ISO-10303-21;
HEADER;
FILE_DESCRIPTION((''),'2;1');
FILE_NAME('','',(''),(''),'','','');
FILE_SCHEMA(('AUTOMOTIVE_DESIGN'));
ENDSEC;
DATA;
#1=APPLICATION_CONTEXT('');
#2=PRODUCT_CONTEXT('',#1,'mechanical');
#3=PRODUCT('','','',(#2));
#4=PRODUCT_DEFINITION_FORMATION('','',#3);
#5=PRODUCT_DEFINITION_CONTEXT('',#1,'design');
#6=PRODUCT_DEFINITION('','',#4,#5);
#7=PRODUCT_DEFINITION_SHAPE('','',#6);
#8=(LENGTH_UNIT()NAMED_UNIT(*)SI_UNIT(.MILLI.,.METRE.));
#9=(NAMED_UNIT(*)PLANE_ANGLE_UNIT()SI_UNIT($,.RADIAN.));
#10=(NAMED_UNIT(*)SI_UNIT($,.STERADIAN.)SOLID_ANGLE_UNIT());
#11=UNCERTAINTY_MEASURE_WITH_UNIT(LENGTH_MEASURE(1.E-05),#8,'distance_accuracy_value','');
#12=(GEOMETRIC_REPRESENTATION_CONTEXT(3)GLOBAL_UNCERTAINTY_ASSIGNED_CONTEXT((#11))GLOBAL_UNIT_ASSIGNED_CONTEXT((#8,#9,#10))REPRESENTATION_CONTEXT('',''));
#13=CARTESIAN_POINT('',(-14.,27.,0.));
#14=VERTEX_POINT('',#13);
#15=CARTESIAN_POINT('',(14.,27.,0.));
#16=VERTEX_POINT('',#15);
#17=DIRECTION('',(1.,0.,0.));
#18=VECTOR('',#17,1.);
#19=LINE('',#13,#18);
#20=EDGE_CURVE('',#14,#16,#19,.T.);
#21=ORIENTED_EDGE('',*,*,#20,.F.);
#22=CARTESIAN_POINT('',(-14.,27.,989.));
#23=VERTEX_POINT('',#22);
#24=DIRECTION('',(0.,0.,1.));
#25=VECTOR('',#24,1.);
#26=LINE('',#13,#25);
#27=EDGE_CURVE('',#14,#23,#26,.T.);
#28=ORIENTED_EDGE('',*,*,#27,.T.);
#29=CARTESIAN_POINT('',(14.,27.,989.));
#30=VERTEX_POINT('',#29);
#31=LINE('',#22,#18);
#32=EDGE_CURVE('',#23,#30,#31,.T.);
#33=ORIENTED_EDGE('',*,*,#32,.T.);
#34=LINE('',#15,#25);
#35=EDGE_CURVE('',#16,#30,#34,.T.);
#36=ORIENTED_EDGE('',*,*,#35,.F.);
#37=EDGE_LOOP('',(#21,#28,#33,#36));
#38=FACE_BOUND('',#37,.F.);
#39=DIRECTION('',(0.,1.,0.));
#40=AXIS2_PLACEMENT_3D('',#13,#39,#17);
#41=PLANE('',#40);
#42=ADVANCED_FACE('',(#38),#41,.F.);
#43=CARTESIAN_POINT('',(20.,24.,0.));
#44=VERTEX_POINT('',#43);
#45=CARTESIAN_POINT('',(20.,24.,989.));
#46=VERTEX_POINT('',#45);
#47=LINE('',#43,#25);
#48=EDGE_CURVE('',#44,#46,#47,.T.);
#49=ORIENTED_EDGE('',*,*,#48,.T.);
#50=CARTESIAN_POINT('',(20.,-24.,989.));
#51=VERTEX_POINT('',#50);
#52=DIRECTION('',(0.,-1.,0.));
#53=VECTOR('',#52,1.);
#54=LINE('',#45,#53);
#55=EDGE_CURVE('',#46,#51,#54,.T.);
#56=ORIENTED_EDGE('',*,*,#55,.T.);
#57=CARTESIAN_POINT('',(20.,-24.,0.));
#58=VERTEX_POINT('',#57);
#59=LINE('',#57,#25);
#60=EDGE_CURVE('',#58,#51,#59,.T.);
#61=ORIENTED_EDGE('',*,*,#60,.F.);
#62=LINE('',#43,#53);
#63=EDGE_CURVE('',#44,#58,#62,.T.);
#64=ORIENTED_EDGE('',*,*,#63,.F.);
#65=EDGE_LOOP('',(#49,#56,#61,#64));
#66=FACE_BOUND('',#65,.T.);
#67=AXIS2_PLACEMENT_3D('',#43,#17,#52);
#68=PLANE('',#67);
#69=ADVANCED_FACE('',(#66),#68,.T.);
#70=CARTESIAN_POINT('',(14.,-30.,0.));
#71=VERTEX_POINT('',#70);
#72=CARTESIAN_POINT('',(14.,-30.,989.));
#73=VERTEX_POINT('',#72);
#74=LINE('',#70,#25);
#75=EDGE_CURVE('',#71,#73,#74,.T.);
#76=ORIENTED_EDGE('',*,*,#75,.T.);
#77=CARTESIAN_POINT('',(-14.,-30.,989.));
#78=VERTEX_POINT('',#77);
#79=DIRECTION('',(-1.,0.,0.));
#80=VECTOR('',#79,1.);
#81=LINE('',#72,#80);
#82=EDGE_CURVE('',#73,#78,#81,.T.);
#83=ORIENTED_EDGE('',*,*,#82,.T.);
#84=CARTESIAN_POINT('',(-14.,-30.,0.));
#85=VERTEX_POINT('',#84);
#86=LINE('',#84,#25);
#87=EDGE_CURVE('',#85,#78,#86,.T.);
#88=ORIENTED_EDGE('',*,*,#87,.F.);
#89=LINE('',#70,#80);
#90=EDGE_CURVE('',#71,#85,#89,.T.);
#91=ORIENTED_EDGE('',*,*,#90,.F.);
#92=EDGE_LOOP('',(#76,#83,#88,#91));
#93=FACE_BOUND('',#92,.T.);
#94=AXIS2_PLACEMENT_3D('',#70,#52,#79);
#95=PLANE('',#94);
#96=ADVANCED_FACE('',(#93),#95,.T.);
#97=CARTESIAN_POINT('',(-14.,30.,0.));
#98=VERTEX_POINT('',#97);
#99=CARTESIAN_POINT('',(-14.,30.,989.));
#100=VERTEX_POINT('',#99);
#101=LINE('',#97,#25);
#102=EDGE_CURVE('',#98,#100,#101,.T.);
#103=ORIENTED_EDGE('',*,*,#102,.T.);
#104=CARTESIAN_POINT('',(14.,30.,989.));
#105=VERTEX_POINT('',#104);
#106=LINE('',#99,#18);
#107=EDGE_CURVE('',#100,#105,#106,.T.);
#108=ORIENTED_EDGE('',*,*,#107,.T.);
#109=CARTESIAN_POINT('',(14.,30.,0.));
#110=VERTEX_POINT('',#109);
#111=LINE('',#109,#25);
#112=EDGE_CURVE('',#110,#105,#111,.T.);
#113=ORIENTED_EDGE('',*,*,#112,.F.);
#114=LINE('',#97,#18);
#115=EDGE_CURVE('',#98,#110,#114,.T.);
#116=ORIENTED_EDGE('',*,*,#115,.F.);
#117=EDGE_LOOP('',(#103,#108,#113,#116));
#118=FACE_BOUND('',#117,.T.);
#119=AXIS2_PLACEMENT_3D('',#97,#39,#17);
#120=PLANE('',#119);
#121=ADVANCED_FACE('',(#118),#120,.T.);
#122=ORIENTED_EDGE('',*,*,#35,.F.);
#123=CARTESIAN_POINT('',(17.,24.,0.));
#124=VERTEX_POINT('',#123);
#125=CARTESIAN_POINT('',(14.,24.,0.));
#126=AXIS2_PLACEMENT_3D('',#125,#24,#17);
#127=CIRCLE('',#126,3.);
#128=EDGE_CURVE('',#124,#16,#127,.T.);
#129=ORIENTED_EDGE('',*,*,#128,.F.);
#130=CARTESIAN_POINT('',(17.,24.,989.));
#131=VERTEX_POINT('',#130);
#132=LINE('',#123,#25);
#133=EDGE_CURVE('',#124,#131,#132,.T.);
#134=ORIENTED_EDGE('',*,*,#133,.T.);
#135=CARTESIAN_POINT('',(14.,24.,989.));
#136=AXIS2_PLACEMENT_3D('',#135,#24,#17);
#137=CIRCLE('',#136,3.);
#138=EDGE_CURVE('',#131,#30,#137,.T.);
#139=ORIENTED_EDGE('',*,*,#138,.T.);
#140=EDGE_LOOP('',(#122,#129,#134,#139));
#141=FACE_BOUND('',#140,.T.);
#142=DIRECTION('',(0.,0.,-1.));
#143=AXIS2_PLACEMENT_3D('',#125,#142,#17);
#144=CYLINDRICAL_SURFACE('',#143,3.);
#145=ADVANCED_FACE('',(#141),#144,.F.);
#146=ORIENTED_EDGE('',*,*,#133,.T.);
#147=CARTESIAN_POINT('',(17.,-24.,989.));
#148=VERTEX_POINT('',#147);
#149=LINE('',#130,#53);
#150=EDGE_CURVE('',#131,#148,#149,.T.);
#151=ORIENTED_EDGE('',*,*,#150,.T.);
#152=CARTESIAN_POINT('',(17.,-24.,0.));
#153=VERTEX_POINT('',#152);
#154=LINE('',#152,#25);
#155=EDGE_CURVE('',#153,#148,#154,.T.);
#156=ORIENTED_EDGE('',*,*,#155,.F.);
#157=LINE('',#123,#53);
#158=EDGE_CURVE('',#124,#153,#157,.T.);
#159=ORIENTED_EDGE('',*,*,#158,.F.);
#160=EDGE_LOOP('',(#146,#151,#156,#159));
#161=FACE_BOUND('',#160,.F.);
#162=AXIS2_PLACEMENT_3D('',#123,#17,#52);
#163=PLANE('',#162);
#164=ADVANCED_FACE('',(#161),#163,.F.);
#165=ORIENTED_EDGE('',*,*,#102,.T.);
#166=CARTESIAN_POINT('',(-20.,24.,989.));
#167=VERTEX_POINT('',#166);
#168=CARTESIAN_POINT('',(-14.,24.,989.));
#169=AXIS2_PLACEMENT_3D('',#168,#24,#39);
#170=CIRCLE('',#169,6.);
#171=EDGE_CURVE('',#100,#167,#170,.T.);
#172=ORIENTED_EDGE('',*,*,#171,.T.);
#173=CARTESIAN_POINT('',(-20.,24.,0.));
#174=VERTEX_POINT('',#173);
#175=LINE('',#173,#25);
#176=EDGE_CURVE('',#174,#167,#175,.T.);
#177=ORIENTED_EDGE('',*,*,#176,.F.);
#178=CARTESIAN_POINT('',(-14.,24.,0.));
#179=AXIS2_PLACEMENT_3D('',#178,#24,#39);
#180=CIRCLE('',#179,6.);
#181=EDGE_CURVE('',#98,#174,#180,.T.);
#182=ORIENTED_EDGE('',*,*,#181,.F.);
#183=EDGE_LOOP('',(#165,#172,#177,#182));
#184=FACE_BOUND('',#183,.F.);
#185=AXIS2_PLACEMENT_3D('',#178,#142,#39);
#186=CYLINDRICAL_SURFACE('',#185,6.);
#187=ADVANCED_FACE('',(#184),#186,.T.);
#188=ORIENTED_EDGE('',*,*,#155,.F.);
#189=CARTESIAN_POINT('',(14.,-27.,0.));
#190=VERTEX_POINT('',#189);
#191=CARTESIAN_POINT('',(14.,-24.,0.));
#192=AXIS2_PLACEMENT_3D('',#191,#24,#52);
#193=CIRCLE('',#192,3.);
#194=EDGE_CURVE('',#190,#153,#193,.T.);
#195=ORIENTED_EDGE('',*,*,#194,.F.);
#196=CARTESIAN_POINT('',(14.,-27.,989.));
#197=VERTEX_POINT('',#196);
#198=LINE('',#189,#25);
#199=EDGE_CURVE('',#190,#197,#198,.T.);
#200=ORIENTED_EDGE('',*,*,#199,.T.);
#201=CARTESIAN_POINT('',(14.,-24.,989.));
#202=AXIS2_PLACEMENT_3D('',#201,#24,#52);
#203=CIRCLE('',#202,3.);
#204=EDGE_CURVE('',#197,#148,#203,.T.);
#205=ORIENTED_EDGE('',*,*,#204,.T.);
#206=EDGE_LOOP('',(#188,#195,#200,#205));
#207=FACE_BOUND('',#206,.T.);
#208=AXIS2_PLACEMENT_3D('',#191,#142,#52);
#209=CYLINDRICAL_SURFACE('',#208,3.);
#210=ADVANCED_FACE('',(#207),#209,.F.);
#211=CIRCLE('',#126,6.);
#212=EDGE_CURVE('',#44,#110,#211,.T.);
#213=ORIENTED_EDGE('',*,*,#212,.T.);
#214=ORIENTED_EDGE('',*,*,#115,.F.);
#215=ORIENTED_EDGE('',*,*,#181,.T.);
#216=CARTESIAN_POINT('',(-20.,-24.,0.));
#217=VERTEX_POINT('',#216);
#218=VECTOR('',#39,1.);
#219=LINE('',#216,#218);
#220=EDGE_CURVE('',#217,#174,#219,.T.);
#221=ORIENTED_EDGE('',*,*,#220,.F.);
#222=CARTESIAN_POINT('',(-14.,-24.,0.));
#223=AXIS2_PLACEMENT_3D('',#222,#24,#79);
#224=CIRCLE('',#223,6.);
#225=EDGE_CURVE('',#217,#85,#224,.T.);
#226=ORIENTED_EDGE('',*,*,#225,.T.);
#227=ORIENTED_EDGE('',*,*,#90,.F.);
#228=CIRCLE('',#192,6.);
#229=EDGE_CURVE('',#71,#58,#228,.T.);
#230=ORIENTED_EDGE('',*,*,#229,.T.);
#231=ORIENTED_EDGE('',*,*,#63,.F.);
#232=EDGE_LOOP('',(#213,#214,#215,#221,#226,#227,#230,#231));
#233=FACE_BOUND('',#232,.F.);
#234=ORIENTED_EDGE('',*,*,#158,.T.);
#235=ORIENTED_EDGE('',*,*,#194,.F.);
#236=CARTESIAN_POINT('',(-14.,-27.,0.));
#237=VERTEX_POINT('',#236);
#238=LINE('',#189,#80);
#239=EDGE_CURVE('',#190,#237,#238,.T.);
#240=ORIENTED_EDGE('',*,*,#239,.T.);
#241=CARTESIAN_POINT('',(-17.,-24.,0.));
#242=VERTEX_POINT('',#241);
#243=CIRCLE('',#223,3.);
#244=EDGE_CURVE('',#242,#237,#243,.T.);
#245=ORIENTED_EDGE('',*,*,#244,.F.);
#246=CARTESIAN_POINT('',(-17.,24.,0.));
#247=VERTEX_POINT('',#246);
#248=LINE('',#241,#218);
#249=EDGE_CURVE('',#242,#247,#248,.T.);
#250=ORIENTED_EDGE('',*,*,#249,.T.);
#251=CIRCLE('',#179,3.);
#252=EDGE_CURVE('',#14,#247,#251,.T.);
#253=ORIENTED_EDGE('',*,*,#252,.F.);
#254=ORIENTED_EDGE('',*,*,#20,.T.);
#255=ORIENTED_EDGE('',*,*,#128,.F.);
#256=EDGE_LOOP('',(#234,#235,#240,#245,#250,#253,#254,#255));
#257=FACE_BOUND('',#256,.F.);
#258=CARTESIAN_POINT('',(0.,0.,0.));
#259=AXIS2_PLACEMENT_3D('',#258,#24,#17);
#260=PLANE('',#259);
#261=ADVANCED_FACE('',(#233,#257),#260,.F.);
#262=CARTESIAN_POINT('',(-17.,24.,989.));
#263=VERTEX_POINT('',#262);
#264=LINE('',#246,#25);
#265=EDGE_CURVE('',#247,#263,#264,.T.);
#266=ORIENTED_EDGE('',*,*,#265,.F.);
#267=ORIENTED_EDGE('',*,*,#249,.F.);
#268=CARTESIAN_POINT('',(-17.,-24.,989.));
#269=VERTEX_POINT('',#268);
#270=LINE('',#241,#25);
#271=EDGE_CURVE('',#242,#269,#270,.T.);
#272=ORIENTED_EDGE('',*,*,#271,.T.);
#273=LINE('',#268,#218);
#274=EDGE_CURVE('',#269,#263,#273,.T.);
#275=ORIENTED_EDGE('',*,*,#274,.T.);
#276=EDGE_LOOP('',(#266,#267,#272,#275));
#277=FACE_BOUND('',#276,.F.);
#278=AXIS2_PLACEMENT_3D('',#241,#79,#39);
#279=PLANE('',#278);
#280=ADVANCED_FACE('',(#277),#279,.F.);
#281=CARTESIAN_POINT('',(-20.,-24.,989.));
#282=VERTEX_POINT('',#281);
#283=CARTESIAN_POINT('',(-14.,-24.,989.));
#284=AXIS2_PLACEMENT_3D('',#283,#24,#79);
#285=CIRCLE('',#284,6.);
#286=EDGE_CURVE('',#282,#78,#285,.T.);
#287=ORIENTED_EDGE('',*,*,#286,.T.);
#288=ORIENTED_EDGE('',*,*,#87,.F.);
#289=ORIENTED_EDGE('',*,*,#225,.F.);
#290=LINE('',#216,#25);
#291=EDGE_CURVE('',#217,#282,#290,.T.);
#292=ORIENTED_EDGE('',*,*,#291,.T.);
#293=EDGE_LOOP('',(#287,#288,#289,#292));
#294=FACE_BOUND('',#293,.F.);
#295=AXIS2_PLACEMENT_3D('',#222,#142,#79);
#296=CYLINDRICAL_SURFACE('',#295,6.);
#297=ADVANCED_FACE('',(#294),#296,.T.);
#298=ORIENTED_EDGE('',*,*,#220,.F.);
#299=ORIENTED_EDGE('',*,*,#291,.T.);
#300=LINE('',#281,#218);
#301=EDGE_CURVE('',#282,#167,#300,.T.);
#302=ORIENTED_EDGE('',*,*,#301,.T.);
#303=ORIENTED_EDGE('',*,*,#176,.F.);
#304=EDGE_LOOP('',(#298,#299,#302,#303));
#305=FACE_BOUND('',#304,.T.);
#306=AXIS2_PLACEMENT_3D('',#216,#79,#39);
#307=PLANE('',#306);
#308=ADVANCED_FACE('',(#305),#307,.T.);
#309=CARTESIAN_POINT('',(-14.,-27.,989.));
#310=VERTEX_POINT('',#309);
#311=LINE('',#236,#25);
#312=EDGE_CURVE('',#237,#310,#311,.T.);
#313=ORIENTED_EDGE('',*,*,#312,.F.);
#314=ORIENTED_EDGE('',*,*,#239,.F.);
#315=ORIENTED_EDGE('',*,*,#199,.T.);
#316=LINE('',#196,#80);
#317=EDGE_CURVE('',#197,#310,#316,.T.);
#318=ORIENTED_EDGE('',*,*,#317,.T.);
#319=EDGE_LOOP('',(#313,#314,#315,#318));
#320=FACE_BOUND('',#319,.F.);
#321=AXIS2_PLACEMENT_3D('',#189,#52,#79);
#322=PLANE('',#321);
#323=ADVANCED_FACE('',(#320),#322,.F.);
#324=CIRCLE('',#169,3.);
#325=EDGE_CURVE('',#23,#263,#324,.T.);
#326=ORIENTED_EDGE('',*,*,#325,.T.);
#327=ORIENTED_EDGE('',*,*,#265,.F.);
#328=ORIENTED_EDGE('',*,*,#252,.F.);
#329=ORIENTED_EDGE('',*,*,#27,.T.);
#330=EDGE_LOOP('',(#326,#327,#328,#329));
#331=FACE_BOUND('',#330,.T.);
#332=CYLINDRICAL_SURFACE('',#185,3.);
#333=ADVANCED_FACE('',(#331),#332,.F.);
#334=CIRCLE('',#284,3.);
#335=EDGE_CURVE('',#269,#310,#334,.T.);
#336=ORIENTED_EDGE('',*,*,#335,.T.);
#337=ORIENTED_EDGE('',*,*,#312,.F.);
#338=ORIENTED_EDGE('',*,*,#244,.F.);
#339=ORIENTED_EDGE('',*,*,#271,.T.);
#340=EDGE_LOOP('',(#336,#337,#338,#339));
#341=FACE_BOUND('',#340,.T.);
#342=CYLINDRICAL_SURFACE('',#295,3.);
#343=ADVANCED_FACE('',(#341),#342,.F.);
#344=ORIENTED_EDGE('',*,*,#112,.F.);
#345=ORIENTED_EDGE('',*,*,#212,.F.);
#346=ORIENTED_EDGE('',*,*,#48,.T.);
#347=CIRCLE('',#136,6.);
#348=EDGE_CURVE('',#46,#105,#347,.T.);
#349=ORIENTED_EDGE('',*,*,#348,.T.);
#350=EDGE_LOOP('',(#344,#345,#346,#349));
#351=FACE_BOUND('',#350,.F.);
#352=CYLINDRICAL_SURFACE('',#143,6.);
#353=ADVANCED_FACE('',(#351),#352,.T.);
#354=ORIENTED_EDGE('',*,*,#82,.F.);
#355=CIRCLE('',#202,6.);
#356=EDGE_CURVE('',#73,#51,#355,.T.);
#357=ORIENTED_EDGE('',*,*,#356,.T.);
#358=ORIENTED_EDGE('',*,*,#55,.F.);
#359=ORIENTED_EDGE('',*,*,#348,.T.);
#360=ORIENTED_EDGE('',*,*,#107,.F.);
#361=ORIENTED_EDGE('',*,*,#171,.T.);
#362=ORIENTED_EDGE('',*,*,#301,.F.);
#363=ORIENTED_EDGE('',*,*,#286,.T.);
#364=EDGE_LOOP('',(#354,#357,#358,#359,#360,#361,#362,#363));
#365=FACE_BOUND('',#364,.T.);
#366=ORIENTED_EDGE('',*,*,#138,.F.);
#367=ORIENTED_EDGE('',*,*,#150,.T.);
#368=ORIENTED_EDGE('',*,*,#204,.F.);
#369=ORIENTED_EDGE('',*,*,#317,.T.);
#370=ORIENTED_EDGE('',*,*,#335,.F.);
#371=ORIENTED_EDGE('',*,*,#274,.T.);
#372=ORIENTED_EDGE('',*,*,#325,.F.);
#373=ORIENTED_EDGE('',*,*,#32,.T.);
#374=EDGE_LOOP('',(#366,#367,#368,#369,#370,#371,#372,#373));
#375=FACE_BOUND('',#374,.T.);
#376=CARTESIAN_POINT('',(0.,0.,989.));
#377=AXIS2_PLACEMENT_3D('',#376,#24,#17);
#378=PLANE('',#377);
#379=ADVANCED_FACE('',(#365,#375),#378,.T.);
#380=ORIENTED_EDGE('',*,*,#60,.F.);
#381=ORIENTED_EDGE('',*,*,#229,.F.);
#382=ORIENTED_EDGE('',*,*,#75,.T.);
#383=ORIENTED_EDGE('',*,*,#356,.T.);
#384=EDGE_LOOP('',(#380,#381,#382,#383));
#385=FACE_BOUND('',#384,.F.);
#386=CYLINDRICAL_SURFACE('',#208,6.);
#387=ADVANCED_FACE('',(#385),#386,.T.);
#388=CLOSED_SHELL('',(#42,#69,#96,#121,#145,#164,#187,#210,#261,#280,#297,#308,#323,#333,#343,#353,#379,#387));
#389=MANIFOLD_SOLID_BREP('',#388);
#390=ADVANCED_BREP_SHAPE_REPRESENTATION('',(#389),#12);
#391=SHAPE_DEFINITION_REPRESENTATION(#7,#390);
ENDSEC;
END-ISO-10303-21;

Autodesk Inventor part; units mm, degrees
ref_plane "YZ Plane" through (0, 0, 0) normal (1, 0, 0) x (0, 1, 0)
ref_plane "Start Plane" through (0, 0, 0) normal (0, 0, 1) x (1, 0, 0)
ref_plane "End Plane" through (0, 0, 989) normal (0, 0, 1) x (1, 0, 0)
sketch "Sketch" plane through (0, 0, 0) normal (0, 0, 1) x (1, 0, 0)
  line L0 (-20, -24) -> (-20, 24)
  line L1 (-14, 30) -> (14, 30)
  line L2 (20, 24) -> (20, -24)
  line L3 (14, -30) -> (-14, -30)
  arc A0 (-20, -24) -> (-14, -30) centre (-14, -24) ccw
  arc A1 (20, 24) -> (14, 30) centre (14, 24) ccw
  arc A2 (-14, 30) -> (-20, 24) centre (-14, 24) ccw
  arc A3 (14, -30) -> (20, -24) centre (14, -24) ccw
  arc A4 (-14, 27) -> (-17, 24) centre (-14, 24) ccw
  line L4 (-14, 27) -> (14, 27)
  arc A5 (17, 24) -> (14, 27) centre (14, 24) ccw
  line L5 (17, 24) -> (17, -24)
  arc A6 (14, -27) -> (17, -24) centre (14, -24) ccw
  line L6 (14, -27) -> (-14, -27)
  arc A7 (-17, -24) -> (-14, -27) centre (-14, -24) ccw
  line L7 (-17, -24) -> (-17, 24)
  line L8 (0, 43.7397) -> (0, -43.7397) construction
  line L9 (-29.7397, 0) -> (29.7397, 0) construction
  dimension "d7" = 6
  dimension "d9" = 40
  dimension "d11" = 60
  dimension "d12" = 3
  dimension "d15" = 20
  dimension "d16" = 30
extrude "Body" add sketch "Sketch" along normal up to surface (989 mm away) from surface at 0
sketch "Sketch3" plane through (0, 0, 0) normal (0, 0, 1) x (1, 0, 0)
  line L0 (0, 0) -> (10, 0)
ref_plane "Work Plane3" through (0, 0, 0) normal (0, -1, 0) x (1, 0, 0)
sketch "Sketch4" plane through (0, 0, 0) normal (0, -1, 0) x (1, 0, 0)
  line L0 (-2, 0) -> (12, 0) projected
  line L1 (-2, 989) -> (12, 989) projected
  dimension "d18" = 989
equation "\"d7\" = G_IR"
equation "\"d9\" = G_W"
equation "\"d11\" = G_H"
equation "\"d12\" = G_T"
equation "\"d15\" = 0.5 * d9"
equation "\"d16\" = 0.5 * d11"
equation "\"d3\" = G_L"
equation "\"G_W\" = 40"
equation "\"G_H\" = 60"
equation "\"G_T\" = 3"
equation "\"G_IR\" = 6"
equation "\"G_L\" = d18"
equation "\"G_OFFSET_START\" = 0"
equation "\"G_OFFSET_END\" = 0"
equation "\"d14\" = G_OFFSET_END + B_L"
equation "\"B_L\" = 989"
properties part number "ISO 4019 - 60x40x3 - 989" material "Steel, Mild"
